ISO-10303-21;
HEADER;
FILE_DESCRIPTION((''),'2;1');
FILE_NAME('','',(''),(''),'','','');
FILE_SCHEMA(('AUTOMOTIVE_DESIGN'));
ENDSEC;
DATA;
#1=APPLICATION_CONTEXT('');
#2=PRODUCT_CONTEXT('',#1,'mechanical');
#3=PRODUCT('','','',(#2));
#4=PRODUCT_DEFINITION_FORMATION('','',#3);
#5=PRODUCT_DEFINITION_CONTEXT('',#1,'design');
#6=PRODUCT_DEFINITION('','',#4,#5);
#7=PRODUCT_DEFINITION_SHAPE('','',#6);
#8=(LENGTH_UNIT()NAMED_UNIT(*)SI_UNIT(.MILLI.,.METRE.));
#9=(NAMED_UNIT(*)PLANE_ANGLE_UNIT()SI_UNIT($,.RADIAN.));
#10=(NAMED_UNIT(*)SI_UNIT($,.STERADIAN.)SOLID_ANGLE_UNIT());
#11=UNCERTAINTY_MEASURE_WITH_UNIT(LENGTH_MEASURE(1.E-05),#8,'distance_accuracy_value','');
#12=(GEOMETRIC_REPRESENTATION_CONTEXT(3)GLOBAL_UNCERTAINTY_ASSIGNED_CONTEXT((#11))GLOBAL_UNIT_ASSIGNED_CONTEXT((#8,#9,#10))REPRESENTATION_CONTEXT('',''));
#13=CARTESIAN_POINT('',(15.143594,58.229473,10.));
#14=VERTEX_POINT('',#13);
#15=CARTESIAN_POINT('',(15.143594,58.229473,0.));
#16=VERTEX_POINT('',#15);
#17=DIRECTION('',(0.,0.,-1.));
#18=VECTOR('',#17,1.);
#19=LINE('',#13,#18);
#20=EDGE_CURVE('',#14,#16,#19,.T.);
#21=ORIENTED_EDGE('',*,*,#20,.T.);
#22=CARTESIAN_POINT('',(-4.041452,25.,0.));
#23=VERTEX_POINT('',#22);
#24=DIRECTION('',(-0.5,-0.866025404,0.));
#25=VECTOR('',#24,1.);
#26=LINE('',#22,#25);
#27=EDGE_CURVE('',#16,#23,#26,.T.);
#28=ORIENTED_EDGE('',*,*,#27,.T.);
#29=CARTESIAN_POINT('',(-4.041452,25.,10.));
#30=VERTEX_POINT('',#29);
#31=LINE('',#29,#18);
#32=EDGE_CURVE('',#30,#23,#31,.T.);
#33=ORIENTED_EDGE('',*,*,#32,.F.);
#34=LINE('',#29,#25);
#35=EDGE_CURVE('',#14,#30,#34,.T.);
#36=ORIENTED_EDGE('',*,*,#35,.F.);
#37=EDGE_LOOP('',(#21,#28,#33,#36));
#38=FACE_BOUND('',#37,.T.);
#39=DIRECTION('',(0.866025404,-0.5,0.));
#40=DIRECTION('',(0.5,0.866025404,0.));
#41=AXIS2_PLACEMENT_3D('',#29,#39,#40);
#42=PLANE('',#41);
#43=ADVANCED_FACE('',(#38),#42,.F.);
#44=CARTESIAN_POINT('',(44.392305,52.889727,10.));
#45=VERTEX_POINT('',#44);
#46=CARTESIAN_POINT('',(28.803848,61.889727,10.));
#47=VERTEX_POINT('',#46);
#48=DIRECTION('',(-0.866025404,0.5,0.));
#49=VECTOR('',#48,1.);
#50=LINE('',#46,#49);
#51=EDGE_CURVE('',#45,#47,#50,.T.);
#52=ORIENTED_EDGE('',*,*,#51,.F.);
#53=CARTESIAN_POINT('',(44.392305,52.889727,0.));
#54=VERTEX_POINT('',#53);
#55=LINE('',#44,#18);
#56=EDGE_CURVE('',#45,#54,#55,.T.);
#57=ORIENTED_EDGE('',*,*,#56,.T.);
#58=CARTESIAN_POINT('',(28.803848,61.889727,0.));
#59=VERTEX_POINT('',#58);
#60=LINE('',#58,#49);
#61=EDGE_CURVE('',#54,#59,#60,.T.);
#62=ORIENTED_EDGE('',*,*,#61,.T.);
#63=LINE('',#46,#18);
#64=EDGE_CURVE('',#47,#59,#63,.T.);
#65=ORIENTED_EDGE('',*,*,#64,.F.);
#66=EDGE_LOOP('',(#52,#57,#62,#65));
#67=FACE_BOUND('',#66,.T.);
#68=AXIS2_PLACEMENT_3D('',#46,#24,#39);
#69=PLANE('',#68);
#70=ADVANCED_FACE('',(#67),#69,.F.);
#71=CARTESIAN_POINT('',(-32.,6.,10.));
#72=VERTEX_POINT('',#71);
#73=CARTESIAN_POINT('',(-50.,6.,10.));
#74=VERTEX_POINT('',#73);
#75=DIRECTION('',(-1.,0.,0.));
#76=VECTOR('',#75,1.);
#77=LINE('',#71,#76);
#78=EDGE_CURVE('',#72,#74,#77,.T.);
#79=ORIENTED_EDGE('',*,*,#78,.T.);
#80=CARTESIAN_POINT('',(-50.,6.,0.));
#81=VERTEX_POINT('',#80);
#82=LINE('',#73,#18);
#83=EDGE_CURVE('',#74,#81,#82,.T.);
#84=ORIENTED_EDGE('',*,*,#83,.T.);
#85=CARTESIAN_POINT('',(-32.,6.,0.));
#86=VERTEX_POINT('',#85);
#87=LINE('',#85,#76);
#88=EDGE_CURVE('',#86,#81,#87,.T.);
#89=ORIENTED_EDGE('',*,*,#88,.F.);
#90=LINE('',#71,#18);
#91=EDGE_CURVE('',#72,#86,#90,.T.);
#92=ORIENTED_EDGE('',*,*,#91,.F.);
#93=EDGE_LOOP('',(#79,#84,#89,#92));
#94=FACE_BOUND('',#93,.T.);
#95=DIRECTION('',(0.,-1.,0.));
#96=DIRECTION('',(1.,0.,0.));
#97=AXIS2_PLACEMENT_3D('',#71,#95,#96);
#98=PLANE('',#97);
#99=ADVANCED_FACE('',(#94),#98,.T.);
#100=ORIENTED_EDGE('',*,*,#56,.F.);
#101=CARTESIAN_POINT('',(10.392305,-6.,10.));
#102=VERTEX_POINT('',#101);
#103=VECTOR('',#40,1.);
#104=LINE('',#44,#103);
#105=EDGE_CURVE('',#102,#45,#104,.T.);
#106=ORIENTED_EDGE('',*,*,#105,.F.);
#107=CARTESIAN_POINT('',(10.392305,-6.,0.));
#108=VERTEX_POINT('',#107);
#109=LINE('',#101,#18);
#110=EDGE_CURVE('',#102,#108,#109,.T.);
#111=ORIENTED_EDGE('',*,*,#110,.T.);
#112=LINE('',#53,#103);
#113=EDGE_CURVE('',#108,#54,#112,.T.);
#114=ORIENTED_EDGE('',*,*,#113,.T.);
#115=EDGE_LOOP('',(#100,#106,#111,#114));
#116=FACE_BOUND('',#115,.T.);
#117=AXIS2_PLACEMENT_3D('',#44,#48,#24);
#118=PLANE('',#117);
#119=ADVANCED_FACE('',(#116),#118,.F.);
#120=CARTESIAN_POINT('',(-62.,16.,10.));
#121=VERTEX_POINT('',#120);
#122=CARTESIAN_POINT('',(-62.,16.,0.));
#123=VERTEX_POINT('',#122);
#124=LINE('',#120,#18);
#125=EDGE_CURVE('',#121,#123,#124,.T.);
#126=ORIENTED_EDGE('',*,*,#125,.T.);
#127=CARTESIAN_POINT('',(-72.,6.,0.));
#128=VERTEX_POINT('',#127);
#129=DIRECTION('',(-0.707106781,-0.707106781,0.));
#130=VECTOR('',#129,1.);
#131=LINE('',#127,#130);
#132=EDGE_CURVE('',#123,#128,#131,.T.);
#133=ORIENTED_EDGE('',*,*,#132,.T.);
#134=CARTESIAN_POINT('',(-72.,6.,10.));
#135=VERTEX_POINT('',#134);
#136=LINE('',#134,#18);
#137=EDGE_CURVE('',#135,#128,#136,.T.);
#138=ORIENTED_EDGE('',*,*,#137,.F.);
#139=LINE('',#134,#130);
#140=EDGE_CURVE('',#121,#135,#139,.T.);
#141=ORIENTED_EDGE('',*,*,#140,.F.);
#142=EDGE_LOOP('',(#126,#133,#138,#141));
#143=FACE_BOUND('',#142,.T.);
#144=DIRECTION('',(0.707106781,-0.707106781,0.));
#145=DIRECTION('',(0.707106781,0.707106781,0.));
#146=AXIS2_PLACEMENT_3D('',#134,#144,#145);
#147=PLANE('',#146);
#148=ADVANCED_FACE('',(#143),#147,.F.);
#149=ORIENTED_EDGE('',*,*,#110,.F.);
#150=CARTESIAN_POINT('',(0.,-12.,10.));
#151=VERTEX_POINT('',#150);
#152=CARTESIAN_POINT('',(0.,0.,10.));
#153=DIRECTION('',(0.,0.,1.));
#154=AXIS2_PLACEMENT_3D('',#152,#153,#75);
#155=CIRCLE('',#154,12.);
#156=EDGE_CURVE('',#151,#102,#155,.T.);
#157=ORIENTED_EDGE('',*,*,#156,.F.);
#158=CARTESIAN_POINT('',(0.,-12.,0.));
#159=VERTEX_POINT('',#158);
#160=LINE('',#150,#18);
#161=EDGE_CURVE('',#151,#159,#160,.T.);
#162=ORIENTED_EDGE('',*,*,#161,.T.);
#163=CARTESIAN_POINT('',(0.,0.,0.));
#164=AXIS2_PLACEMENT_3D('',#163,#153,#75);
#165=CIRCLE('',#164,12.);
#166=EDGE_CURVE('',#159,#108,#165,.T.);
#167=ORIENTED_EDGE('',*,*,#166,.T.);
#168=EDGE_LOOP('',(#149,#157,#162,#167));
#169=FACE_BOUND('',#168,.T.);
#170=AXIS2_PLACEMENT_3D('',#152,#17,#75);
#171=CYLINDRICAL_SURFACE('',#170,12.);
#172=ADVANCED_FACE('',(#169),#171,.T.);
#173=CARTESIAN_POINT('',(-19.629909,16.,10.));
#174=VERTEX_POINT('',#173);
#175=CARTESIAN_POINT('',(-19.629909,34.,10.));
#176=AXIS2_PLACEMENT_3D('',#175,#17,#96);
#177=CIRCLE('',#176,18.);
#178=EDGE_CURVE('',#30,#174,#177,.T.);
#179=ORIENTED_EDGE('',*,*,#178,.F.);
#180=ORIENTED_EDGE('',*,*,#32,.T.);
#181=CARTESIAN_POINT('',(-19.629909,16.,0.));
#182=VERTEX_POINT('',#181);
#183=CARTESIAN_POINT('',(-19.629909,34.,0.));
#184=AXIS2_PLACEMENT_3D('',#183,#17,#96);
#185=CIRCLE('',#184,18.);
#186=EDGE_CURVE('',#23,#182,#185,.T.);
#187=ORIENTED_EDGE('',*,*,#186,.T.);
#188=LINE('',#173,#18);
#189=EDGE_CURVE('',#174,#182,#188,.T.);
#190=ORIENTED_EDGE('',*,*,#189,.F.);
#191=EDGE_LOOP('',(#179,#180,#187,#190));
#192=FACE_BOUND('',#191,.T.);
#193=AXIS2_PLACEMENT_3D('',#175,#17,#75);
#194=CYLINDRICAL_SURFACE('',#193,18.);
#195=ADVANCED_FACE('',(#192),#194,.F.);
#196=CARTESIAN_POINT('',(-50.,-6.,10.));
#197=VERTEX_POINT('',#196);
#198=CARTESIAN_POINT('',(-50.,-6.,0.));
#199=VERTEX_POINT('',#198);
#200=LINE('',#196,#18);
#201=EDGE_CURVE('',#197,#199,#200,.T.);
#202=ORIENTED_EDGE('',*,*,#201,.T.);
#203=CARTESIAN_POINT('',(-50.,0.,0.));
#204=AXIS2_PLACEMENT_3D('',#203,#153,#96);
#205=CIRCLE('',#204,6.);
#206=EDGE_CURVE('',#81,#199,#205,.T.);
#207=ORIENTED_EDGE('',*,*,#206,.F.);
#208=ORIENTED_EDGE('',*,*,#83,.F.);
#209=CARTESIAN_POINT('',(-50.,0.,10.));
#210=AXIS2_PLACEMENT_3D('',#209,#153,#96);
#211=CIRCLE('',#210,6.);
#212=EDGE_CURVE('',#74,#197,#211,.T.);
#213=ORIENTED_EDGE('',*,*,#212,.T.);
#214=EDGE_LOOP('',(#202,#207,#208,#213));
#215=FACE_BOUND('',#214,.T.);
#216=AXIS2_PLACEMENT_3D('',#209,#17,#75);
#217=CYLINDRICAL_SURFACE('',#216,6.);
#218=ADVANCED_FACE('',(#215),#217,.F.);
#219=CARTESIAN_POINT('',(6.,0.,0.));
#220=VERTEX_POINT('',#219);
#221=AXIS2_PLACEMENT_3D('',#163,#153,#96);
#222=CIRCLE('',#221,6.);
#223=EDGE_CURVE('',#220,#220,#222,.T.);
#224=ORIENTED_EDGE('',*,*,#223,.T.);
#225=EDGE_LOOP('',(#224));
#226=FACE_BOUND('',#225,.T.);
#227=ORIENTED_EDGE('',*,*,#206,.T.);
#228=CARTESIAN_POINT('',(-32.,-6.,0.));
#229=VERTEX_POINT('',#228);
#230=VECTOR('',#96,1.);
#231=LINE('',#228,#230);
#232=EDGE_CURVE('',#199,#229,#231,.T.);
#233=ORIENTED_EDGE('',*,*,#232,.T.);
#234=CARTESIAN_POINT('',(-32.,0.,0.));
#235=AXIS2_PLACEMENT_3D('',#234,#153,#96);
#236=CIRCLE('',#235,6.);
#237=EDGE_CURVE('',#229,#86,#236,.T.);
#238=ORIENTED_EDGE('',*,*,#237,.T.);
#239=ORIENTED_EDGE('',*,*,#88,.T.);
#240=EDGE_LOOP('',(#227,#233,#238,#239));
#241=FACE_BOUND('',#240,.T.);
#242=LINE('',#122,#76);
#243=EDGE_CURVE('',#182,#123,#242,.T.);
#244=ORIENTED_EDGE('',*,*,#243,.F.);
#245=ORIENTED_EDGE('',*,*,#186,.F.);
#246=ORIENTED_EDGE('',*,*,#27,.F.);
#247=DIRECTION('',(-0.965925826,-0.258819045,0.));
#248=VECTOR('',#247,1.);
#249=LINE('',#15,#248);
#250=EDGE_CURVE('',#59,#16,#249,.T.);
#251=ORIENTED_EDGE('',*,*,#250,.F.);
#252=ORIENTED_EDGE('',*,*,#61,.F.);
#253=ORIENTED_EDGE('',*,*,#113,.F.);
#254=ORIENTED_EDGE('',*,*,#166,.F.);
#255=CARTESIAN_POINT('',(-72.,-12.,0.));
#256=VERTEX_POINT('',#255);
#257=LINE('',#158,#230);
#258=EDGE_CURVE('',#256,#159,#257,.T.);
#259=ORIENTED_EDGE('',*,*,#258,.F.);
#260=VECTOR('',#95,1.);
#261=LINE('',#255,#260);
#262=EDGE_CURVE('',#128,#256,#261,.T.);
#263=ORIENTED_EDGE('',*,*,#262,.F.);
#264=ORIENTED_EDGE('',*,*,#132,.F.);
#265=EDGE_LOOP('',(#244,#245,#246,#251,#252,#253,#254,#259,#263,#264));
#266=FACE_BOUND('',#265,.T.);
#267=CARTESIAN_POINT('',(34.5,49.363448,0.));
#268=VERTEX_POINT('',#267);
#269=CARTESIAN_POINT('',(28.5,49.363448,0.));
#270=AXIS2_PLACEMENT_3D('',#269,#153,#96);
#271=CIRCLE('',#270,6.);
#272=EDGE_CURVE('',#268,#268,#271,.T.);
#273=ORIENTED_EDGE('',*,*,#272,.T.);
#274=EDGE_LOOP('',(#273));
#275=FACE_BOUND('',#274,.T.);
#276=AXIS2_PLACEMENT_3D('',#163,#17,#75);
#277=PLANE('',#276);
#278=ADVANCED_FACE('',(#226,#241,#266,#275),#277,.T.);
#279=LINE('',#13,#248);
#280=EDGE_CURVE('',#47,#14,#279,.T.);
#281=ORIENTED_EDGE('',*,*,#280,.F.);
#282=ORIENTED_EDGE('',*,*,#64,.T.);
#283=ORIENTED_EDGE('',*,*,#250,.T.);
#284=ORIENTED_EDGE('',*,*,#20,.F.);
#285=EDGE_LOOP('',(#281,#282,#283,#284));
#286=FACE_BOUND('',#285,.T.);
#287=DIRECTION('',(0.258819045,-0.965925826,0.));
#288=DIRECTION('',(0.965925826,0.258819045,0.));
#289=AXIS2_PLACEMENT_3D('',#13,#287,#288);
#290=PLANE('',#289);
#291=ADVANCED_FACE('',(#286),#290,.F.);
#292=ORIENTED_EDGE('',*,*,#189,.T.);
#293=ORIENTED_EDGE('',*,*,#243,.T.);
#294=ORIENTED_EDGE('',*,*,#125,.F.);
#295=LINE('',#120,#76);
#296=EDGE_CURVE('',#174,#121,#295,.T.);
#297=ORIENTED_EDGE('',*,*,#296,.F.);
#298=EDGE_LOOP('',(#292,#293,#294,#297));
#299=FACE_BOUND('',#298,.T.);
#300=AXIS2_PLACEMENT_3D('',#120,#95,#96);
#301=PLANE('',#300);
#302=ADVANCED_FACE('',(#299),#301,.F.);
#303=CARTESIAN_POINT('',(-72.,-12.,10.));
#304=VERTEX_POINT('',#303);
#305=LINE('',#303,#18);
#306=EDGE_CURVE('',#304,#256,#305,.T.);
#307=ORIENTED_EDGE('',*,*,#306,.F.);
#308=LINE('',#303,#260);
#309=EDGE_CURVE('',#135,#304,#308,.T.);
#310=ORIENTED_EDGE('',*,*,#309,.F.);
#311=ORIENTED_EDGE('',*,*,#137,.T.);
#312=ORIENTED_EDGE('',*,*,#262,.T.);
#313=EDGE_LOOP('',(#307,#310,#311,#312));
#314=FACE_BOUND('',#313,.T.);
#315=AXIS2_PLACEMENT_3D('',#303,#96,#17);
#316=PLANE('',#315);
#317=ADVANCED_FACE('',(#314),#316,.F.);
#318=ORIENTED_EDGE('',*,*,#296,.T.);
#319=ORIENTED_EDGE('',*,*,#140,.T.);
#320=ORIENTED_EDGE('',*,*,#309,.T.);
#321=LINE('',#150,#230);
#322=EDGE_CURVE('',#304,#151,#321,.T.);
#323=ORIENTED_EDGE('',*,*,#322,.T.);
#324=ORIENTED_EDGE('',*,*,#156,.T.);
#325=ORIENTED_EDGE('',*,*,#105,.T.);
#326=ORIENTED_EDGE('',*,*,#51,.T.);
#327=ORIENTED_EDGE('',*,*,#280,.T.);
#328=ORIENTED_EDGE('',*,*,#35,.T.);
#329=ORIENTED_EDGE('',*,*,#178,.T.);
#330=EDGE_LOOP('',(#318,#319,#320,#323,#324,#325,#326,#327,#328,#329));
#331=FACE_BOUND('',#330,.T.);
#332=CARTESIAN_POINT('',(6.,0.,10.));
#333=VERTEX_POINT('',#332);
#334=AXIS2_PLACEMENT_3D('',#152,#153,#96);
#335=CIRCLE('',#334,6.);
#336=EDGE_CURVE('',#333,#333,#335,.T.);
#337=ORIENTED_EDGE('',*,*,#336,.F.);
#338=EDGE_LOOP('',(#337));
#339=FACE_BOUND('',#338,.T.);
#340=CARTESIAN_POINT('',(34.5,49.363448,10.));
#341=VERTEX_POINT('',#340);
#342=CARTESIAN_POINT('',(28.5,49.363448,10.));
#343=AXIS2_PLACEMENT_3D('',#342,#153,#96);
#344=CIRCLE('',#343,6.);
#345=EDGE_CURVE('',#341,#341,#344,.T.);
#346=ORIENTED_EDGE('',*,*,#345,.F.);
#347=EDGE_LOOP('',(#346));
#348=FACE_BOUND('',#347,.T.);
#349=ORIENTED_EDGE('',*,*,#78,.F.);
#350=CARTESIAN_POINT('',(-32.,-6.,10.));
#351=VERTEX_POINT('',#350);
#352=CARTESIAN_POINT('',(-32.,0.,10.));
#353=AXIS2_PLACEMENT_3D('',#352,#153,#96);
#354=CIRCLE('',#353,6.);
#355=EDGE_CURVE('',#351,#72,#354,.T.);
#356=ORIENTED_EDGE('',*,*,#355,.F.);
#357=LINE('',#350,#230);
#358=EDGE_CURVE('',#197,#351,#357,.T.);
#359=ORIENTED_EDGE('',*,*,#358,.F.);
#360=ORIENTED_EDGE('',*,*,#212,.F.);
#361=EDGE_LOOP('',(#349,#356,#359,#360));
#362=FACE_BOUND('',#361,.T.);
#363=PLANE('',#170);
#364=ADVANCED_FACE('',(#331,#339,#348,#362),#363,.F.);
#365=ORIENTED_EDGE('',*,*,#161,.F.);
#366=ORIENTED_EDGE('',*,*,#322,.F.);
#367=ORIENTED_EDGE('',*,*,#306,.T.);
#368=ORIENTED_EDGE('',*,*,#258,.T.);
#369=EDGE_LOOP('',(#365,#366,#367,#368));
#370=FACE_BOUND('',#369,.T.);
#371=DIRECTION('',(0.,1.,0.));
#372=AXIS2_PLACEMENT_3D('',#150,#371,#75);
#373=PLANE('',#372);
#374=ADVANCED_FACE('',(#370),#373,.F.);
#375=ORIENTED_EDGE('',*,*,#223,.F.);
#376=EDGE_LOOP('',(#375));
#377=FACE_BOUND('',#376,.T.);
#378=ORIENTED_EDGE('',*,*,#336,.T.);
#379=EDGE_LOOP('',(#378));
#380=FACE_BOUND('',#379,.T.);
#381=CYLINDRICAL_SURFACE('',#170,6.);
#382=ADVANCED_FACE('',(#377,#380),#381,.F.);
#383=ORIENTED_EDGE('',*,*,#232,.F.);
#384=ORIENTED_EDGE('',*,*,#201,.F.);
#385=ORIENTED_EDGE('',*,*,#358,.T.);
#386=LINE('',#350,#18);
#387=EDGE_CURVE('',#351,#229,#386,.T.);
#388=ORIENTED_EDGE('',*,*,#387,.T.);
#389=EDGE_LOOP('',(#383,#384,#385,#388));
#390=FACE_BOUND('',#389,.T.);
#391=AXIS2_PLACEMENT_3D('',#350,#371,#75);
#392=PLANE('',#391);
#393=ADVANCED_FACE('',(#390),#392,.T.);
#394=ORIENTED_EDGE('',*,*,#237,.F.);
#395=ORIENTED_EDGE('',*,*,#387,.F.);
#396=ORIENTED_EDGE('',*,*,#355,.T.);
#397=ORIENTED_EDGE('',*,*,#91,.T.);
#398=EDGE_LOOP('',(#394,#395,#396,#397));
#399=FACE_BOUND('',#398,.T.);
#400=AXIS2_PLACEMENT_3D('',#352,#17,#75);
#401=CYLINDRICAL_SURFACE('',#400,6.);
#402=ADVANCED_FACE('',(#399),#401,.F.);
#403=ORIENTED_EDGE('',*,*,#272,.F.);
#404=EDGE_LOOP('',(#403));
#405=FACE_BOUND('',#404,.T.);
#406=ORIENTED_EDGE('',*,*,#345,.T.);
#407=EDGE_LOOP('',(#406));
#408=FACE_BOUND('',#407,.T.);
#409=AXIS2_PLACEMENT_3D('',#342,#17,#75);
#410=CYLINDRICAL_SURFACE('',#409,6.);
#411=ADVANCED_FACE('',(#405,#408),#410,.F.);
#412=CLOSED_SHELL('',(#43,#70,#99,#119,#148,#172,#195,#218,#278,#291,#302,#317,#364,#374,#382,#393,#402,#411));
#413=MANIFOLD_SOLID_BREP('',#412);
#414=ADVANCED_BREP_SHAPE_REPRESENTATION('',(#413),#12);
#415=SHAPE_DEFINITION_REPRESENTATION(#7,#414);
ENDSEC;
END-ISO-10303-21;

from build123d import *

# Parameters (mm, degrees)
CROQUIS1_R              = 6
SALIENTE_EXTRUIR1_DEPTH = 10


with BuildPart() as part:
    # Croquis1 → Saliente-Extruir1 (new body)
    with BuildSketch(Plane.XY):
        with BuildLine():
            Line((-62, 16), (-19.629909152, 16))
            ThreePointArc((-19.629909152, 16), (-10.629909152, 18.411542732), (-4.041451884, 25))
            Line((-4.041451884, 25), (15.143593539, 58.229473419))
            Line((15.143593539, 58.229473419), (28.803847577, 61.889727457))
            Line((28.803847577, 61.889727457), (44.392304845, 52.889727457))
            Line((44.392304845, 52.889727457), (10.392304845, -6))
            ThreePointArc((10.392304845, -6), (6, -10.392304845), (0, -12))
            Line((0, -12), (-72, -12))
            Line((-72, -12), (-72, 6))
            Line((-72, 6), (-62, 16))
        make_face()
        Circle(CROQUIS1_R, mode=Mode.SUBTRACT)
        with Locations((28.5, 49.363448016)):
            Circle(CROQUIS1_R, mode=Mode.SUBTRACT)
        with BuildLine():
            Line((-32, -6), (-50, -6))
            ThreePointArc((-50, -6), (-56, 0), (-50, 6))
            Line((-50, 6), (-32, 6))
            ThreePointArc((-32, 6), (-26, 0), (-32, -6))
        make_face(mode=Mode.SUBTRACT)
    extrude(amount=SALIENTE_EXTRUIR1_DEPTH)


solid = part.part
